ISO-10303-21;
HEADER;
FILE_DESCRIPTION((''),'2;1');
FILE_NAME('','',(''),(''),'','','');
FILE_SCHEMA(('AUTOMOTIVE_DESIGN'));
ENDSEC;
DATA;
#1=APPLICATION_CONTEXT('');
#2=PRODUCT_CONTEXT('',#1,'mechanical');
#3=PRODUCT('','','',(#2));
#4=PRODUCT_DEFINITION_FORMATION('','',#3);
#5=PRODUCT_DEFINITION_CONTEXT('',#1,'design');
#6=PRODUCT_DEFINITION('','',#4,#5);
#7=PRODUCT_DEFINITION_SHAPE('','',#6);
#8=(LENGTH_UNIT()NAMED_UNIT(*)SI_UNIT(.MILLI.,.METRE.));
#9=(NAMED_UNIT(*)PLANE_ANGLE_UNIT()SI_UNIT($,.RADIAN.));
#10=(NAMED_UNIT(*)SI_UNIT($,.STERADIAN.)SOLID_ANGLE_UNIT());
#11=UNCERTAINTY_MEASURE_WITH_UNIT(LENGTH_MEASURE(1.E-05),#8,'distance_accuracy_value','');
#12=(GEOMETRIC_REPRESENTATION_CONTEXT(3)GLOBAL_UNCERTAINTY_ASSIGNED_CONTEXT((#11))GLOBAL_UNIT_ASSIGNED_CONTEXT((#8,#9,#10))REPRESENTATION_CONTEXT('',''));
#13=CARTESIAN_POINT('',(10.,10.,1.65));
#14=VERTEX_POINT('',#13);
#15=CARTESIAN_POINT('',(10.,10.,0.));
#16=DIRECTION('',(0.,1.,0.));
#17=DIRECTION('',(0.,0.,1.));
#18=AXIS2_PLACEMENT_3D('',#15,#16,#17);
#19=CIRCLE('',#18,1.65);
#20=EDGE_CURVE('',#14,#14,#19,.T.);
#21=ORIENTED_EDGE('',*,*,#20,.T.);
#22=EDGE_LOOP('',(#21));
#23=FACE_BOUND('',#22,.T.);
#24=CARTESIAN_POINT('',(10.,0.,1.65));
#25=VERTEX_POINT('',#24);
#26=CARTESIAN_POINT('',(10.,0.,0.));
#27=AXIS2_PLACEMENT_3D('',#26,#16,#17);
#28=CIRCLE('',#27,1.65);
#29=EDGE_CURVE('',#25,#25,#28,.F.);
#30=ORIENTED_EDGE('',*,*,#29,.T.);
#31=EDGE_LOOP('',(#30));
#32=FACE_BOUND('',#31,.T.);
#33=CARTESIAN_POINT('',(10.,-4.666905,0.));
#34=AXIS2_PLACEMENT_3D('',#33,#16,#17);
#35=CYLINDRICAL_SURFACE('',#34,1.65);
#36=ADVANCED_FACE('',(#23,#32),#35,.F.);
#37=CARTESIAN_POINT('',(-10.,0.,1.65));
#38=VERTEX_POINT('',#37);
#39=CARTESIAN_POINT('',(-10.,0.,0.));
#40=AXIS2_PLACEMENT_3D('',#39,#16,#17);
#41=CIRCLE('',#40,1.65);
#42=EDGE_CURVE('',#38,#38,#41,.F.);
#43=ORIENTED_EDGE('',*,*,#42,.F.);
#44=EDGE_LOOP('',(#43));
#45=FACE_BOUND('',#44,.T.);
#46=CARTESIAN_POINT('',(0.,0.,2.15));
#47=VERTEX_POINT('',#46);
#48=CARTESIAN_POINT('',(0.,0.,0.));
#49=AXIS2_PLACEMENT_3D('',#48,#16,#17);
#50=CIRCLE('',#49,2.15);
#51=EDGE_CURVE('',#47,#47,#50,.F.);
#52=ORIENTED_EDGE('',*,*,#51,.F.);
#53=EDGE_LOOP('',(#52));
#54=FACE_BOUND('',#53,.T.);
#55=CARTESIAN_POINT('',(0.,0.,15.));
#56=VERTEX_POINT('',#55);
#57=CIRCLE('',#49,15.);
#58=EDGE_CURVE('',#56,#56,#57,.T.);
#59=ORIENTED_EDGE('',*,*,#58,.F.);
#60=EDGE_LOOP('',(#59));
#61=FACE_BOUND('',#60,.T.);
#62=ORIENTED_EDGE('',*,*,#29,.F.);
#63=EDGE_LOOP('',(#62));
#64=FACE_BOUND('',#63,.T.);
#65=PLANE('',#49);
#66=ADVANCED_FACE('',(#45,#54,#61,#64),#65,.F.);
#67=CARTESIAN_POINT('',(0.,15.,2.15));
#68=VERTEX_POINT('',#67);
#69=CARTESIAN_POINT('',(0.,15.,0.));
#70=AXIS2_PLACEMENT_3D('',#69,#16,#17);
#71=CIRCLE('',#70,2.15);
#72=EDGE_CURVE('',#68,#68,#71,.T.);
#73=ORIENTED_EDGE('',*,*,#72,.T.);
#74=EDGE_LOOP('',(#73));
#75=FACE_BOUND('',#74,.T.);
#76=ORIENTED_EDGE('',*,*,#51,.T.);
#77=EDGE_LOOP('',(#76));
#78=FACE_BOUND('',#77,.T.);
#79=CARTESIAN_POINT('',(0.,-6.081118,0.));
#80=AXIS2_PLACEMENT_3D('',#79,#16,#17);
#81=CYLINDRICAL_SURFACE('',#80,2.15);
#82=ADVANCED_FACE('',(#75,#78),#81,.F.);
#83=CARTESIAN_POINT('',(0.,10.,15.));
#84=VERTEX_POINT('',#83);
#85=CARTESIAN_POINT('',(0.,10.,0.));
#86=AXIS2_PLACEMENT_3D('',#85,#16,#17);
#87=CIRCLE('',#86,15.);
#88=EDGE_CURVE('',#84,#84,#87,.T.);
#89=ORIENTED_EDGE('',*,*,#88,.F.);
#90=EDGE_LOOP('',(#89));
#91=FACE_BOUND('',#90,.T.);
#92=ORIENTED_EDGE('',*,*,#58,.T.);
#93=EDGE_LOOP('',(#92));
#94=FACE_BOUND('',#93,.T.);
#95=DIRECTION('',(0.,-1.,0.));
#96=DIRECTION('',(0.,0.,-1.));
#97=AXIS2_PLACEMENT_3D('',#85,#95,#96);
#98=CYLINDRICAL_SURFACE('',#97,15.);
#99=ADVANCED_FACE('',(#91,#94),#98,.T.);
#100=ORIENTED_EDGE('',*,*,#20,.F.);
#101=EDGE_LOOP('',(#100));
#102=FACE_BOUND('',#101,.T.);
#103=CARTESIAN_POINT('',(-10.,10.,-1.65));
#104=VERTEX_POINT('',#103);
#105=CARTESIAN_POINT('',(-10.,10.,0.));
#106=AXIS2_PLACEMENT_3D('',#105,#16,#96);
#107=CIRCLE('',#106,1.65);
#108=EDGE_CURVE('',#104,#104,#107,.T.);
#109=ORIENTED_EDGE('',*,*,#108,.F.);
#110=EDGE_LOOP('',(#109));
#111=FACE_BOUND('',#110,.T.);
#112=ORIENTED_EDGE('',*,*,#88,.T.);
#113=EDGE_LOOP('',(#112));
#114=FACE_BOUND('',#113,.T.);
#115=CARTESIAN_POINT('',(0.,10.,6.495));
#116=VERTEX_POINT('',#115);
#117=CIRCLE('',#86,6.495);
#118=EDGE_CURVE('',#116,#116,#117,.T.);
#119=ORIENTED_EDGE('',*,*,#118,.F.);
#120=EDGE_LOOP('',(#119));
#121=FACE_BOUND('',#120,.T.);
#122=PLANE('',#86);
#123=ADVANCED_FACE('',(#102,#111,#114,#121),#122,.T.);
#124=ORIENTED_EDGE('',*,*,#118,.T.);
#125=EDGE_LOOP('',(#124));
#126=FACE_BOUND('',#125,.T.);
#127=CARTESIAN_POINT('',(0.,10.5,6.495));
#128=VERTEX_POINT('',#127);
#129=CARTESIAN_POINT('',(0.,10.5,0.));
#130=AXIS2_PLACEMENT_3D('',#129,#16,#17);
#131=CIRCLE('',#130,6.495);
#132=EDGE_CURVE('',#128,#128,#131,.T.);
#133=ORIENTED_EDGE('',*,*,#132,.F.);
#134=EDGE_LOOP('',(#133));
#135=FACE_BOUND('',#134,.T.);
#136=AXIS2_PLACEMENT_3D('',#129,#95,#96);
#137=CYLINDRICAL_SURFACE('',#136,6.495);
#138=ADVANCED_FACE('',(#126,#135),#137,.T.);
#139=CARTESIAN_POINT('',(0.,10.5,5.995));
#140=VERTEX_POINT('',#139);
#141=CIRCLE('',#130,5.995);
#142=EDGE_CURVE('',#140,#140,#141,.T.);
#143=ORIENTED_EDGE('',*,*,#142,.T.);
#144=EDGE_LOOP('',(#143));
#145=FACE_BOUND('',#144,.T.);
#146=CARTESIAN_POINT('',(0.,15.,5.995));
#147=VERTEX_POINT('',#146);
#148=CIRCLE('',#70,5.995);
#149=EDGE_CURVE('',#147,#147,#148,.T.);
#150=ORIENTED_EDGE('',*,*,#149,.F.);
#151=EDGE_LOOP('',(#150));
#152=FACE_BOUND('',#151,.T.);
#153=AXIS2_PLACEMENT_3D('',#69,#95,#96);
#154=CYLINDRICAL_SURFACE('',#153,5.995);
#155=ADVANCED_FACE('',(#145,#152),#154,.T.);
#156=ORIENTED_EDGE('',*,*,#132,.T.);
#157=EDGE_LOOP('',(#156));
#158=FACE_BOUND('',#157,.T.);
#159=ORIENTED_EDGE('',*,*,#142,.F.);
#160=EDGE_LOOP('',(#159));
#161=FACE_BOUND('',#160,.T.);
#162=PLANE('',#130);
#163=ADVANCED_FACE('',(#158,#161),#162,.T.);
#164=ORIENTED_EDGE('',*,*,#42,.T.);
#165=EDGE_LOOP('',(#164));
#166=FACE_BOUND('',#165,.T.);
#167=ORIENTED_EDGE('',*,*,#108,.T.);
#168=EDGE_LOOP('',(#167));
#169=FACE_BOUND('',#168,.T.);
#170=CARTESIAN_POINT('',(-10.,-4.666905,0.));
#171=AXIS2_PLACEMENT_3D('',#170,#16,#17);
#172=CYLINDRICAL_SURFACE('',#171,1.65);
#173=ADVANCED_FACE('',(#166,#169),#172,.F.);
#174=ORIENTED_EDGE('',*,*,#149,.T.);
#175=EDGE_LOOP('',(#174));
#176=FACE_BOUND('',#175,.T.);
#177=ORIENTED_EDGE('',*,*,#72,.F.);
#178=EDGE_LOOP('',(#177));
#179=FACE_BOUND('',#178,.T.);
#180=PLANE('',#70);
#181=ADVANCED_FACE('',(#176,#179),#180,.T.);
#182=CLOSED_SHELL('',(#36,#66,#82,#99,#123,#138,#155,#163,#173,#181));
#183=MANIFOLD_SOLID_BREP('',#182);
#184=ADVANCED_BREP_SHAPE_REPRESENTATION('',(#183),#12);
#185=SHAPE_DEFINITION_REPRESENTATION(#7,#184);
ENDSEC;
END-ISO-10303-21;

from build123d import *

# Parameters (mm, degrees)
SKETCH_1_R          = 15
EXTRUDE_1_DEPTH     = 10
SKETCH_2_R          = 5.995
EXTRUDE_2_DEPTH     = 5
SKETCH_3_R          = 6.495
EXTRUDE_3_DEPTH     = 0.5
SKETCH_4_R          = 1.65
CUT_EXTRUDE_1_DEPTH = 10
SKETCH_5_R          = 2.15
CUT_EXTRUDE_2_DEPTH = 15


with BuildPart() as part:
    # ｽｹｯﾁ1 → ﾎﾞｽ - 押し出し1 (new body)
    with BuildSketch(Plane(origin=(0, 0, 0), x_dir=(1, 0, 0), z_dir=(0, 1, 0))):
        with Locations(Location((0, 0, 0), (0, 0, 270))):
            Circle(SKETCH_1_R)
    extrude(amount=EXTRUDE_1_DEPTH)

    # ｽｹｯﾁ2 → ﾎﾞｽ - 押し出し2 (add)
    with BuildSketch(Plane(origin=(0, 10, 0), x_dir=(1, 0, 0), z_dir=(0, 1, 0))):
        with Locations(Location((0, 0, 0), (0, 0, 270))):
            Circle(SKETCH_2_R)
    extrude(amount=EXTRUDE_2_DEPTH)

    # ｽｹｯﾁ3 → ﾎﾞｽ - 押し出し3 (add)
    with BuildSketch(Plane(origin=(0, 10, 0), x_dir=(1, 0, 0), z_dir=(0, 1, 0))):
        with Locations(Location((0, 0, 0), (0, 0, 270))):
            Circle(SKETCH_3_R)
    extrude(amount=EXTRUDE_3_DEPTH)

    # ｽｹｯﾁ4 → ｶｯﾄ - 押し出し1 (cut)
    with BuildSketch(Plane(origin=(0, 10, 0), x_dir=(1, 0, 0), z_dir=(0, 1, 0))):
        with Locations(Location((10, 0, 0), (0, 0, 270))):
            Circle(SKETCH_4_R)
        with Locations(Location((-10, 0, 0), (0, 0, 270))):
            Circle(SKETCH_4_R)
    extrude(amount=-CUT_EXTRUDE_1_DEPTH, mode=Mode.SUBTRACT)

    # ｽｹｯﾁ5 → ｶｯﾄ - 押し出し2 (cut)
    with BuildSketch(Plane(origin=(0, 15, 0), x_dir=(1, 0, 0), z_dir=(0, 1, 0))):
        with Locations(Location((0, 0, 0), (0, 0, 270))):
            Circle(SKETCH_5_R)
    extrude(amount=-CUT_EXTRUDE_2_DEPTH, mode=Mode.SUBTRACT)


solid = part.part
